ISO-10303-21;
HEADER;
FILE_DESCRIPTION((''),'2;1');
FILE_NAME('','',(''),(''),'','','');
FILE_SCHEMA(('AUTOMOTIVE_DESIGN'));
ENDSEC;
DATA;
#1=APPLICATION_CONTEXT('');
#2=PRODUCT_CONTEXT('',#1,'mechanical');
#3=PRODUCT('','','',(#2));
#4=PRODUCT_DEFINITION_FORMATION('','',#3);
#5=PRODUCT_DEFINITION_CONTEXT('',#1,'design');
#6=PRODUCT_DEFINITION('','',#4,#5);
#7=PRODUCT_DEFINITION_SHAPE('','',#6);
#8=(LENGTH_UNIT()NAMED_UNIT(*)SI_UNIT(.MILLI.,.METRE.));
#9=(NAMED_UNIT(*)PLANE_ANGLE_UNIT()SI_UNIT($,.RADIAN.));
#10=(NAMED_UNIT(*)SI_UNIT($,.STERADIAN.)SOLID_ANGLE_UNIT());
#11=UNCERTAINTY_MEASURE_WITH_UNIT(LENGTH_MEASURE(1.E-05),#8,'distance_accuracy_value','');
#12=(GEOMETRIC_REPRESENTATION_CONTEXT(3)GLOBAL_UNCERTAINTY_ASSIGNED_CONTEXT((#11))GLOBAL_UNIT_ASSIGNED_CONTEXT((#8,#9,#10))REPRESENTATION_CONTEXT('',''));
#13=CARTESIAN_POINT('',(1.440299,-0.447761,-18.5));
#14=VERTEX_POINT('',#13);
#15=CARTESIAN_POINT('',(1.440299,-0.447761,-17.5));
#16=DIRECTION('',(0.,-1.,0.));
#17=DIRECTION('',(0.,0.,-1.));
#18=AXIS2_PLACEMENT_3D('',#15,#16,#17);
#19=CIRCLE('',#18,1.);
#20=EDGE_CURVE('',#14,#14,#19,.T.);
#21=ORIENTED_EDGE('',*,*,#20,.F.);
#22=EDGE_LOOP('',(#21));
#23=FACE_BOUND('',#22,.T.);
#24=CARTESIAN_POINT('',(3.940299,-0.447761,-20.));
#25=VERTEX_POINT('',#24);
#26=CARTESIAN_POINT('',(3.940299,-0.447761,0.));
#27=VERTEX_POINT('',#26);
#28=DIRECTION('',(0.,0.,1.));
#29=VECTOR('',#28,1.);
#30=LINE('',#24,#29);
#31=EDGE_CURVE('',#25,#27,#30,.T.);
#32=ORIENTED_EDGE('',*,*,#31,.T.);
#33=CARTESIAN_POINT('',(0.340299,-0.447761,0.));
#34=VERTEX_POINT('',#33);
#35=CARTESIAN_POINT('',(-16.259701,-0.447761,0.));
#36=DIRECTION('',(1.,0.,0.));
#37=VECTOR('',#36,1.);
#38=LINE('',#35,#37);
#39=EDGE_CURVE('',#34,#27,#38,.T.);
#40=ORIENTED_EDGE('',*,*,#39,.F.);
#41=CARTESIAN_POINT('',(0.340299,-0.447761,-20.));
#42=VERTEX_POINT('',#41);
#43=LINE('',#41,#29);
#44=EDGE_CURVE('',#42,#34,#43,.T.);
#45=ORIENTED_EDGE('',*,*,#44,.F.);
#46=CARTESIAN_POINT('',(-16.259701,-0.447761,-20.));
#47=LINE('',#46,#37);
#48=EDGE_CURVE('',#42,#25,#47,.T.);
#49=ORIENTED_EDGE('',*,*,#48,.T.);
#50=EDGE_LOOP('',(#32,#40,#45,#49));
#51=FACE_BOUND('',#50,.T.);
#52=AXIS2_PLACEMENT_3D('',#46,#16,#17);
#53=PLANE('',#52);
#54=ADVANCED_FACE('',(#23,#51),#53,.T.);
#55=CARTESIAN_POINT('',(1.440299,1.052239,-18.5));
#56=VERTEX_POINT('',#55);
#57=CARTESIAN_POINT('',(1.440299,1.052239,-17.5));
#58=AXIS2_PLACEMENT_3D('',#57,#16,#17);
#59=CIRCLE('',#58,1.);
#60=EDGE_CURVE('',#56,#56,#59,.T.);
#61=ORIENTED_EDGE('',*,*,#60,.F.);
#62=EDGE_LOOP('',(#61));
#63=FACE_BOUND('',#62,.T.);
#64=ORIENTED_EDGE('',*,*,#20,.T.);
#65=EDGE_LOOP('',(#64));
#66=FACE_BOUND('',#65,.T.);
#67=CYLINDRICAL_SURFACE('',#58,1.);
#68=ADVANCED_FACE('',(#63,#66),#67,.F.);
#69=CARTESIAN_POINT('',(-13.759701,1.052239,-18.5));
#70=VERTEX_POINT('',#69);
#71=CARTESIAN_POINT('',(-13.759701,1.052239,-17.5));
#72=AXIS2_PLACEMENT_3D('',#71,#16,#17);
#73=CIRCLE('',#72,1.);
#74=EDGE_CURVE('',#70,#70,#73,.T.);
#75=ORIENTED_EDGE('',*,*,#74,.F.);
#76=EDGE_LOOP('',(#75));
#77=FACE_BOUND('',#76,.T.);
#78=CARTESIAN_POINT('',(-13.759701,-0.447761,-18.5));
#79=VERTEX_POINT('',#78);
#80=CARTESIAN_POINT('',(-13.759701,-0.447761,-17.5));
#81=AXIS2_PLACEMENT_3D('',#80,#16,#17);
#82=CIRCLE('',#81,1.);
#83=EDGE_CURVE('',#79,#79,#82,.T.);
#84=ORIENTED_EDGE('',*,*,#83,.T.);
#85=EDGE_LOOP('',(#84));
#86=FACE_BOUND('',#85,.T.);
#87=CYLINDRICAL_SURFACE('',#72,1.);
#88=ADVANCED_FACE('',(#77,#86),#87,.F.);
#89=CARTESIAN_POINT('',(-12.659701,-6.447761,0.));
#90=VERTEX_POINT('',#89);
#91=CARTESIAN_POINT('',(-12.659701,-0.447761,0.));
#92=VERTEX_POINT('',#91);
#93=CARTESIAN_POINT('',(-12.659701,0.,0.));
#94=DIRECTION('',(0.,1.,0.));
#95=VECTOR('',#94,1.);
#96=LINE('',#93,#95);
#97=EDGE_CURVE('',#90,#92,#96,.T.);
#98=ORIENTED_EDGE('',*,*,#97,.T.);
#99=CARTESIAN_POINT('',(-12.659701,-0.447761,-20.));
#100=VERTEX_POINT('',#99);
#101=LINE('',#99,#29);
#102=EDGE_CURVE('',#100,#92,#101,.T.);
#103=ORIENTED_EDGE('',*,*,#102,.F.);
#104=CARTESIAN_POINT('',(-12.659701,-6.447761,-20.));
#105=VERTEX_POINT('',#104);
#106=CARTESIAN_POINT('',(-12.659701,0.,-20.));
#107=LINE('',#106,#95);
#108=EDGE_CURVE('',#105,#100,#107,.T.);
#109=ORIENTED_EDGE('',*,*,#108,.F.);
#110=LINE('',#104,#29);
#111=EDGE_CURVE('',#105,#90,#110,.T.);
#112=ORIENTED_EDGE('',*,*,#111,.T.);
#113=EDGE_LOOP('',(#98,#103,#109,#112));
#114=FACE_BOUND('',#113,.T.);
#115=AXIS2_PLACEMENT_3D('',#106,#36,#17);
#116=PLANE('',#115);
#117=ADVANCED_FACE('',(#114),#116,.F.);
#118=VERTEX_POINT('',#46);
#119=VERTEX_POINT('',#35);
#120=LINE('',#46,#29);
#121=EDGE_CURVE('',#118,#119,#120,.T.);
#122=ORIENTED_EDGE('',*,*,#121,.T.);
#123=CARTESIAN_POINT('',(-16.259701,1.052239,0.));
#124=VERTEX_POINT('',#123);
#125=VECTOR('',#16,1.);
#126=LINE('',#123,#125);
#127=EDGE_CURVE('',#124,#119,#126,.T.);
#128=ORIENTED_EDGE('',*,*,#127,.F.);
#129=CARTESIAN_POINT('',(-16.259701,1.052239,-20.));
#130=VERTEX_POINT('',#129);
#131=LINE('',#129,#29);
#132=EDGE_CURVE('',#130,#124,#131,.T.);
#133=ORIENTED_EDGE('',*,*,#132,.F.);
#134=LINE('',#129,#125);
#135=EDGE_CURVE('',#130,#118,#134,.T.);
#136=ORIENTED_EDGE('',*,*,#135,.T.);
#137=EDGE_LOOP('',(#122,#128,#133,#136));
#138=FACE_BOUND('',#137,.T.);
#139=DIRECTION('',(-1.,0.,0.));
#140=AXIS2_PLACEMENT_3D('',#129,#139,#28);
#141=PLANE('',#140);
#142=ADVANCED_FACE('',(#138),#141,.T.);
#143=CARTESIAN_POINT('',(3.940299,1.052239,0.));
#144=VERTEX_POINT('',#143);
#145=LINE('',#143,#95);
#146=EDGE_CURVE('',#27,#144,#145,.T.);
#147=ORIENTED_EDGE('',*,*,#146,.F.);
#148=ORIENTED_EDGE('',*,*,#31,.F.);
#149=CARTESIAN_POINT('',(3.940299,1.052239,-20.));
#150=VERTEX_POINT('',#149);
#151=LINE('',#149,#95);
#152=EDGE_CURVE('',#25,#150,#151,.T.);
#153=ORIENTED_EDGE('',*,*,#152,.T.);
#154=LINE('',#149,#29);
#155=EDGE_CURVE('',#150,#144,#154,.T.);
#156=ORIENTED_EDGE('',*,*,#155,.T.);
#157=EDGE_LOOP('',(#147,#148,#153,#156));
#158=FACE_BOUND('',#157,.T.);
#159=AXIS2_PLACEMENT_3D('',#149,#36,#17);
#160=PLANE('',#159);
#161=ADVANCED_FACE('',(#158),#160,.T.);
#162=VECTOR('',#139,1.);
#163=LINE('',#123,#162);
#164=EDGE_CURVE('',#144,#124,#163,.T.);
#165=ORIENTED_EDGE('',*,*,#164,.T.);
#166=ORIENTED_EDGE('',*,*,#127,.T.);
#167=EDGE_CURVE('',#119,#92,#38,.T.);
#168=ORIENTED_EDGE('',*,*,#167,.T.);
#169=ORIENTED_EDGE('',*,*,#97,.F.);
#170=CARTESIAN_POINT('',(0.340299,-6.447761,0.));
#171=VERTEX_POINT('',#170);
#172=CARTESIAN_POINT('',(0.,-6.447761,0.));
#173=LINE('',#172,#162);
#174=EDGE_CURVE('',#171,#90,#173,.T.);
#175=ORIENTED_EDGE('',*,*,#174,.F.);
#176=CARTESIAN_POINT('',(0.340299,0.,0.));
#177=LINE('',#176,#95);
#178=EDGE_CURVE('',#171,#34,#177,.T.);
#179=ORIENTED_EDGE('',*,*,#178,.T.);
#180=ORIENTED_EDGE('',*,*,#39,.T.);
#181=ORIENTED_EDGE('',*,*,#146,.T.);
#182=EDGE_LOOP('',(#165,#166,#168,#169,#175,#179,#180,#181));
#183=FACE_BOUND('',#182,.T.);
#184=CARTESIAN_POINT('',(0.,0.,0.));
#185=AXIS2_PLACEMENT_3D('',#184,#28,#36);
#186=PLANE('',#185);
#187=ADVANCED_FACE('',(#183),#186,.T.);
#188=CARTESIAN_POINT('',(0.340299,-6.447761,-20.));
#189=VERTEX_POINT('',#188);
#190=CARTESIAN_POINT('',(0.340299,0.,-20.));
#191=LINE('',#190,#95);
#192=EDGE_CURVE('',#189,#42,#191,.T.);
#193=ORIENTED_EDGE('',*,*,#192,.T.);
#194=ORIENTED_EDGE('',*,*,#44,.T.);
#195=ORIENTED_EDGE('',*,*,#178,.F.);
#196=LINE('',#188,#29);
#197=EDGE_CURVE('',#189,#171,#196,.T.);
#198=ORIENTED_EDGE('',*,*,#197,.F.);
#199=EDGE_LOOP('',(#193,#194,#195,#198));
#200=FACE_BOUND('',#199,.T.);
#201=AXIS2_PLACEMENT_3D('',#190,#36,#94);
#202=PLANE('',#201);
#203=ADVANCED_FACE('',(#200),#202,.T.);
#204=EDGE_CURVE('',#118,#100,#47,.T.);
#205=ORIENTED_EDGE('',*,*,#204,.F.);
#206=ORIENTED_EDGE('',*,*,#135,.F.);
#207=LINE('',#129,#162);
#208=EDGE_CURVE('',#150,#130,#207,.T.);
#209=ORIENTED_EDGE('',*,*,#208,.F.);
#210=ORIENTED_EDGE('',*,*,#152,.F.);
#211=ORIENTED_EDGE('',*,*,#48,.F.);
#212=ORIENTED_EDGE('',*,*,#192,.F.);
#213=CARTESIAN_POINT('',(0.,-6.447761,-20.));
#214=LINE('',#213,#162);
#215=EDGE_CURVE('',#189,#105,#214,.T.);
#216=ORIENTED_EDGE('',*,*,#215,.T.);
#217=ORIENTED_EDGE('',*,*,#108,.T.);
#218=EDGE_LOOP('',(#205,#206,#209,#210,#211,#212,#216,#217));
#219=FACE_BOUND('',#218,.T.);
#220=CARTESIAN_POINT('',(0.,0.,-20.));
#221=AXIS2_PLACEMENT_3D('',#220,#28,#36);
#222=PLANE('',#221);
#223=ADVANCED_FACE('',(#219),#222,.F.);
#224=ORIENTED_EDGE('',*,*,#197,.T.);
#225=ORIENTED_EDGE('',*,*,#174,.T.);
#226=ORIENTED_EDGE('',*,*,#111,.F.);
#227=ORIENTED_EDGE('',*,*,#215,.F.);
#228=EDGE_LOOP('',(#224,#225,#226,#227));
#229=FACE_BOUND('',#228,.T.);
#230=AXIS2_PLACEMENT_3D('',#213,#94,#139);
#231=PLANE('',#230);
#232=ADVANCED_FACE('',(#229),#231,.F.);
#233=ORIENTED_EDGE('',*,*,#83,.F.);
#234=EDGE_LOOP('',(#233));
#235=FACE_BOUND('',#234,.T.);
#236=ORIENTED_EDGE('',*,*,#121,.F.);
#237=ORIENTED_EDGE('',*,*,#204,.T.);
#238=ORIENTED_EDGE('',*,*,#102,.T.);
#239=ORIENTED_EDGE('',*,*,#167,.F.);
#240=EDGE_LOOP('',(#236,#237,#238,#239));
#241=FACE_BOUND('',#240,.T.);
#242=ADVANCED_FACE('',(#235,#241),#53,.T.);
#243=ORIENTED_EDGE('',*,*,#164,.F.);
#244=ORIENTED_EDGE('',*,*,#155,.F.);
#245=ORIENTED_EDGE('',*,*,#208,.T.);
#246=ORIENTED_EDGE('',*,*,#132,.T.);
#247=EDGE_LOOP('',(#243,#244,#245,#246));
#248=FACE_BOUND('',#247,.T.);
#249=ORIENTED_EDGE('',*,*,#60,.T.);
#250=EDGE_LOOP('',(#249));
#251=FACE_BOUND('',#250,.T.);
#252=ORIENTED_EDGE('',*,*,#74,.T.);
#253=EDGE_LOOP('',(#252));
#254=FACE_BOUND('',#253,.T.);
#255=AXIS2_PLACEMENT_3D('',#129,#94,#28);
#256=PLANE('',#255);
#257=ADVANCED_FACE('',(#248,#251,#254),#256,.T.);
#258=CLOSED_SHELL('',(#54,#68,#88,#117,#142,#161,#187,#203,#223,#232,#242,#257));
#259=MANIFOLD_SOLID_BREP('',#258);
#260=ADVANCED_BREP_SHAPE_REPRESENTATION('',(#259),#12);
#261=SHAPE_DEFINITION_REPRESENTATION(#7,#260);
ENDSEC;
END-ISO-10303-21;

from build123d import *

# Parameters (mm, degrees)
SKETCH_1_W          = 20.2
SKETCH_1_H          = 1.5
EXTRUDE_1_DEPTH     = 20
SKETCH_2_W          = 13
SKETCH_2_H          = 6
EXTRUDE_2_DEPTH     = 20
SKETCH_3_R          = 1
CUT_EXTRUDE_1_DEPTH = 2.5


with BuildPart() as part:
    # 草图1 → 凸台-拉伸1 (new body)
    with BuildSketch(Plane.XY):
        with Locations((-6.159701493, 0.302238806)):
            Rectangle(SKETCH_1_W, SKETCH_1_H)
    extrude(amount=-EXTRUDE_1_DEPTH)

    # 草图2 → 凸台-拉伸2 (add)
    with BuildSketch(Plane.XY):
        with Locations((-6.159701493, -3.447761194)):
            Rectangle(SKETCH_2_W, SKETCH_2_H)
    extrude(amount=-EXTRUDE_2_DEPTH)

    # 草图3 → 切除-拉伸1 (cut, through all)
    with BuildSketch(Plane(origin=(0, -0.447761194, 0), x_dir=(-1, 0, 0), z_dir=(0, -1, 0))):
        with Locations((-1.440298507, 17.5)):
            Circle(SKETCH_3_R)
        with Locations((13.759701493, 17.5)):
            Circle(SKETCH_3_R)
    extrude(amount=-CUT_EXTRUDE_1_DEPTH, mode=Mode.SUBTRACT)


solid = part.part
